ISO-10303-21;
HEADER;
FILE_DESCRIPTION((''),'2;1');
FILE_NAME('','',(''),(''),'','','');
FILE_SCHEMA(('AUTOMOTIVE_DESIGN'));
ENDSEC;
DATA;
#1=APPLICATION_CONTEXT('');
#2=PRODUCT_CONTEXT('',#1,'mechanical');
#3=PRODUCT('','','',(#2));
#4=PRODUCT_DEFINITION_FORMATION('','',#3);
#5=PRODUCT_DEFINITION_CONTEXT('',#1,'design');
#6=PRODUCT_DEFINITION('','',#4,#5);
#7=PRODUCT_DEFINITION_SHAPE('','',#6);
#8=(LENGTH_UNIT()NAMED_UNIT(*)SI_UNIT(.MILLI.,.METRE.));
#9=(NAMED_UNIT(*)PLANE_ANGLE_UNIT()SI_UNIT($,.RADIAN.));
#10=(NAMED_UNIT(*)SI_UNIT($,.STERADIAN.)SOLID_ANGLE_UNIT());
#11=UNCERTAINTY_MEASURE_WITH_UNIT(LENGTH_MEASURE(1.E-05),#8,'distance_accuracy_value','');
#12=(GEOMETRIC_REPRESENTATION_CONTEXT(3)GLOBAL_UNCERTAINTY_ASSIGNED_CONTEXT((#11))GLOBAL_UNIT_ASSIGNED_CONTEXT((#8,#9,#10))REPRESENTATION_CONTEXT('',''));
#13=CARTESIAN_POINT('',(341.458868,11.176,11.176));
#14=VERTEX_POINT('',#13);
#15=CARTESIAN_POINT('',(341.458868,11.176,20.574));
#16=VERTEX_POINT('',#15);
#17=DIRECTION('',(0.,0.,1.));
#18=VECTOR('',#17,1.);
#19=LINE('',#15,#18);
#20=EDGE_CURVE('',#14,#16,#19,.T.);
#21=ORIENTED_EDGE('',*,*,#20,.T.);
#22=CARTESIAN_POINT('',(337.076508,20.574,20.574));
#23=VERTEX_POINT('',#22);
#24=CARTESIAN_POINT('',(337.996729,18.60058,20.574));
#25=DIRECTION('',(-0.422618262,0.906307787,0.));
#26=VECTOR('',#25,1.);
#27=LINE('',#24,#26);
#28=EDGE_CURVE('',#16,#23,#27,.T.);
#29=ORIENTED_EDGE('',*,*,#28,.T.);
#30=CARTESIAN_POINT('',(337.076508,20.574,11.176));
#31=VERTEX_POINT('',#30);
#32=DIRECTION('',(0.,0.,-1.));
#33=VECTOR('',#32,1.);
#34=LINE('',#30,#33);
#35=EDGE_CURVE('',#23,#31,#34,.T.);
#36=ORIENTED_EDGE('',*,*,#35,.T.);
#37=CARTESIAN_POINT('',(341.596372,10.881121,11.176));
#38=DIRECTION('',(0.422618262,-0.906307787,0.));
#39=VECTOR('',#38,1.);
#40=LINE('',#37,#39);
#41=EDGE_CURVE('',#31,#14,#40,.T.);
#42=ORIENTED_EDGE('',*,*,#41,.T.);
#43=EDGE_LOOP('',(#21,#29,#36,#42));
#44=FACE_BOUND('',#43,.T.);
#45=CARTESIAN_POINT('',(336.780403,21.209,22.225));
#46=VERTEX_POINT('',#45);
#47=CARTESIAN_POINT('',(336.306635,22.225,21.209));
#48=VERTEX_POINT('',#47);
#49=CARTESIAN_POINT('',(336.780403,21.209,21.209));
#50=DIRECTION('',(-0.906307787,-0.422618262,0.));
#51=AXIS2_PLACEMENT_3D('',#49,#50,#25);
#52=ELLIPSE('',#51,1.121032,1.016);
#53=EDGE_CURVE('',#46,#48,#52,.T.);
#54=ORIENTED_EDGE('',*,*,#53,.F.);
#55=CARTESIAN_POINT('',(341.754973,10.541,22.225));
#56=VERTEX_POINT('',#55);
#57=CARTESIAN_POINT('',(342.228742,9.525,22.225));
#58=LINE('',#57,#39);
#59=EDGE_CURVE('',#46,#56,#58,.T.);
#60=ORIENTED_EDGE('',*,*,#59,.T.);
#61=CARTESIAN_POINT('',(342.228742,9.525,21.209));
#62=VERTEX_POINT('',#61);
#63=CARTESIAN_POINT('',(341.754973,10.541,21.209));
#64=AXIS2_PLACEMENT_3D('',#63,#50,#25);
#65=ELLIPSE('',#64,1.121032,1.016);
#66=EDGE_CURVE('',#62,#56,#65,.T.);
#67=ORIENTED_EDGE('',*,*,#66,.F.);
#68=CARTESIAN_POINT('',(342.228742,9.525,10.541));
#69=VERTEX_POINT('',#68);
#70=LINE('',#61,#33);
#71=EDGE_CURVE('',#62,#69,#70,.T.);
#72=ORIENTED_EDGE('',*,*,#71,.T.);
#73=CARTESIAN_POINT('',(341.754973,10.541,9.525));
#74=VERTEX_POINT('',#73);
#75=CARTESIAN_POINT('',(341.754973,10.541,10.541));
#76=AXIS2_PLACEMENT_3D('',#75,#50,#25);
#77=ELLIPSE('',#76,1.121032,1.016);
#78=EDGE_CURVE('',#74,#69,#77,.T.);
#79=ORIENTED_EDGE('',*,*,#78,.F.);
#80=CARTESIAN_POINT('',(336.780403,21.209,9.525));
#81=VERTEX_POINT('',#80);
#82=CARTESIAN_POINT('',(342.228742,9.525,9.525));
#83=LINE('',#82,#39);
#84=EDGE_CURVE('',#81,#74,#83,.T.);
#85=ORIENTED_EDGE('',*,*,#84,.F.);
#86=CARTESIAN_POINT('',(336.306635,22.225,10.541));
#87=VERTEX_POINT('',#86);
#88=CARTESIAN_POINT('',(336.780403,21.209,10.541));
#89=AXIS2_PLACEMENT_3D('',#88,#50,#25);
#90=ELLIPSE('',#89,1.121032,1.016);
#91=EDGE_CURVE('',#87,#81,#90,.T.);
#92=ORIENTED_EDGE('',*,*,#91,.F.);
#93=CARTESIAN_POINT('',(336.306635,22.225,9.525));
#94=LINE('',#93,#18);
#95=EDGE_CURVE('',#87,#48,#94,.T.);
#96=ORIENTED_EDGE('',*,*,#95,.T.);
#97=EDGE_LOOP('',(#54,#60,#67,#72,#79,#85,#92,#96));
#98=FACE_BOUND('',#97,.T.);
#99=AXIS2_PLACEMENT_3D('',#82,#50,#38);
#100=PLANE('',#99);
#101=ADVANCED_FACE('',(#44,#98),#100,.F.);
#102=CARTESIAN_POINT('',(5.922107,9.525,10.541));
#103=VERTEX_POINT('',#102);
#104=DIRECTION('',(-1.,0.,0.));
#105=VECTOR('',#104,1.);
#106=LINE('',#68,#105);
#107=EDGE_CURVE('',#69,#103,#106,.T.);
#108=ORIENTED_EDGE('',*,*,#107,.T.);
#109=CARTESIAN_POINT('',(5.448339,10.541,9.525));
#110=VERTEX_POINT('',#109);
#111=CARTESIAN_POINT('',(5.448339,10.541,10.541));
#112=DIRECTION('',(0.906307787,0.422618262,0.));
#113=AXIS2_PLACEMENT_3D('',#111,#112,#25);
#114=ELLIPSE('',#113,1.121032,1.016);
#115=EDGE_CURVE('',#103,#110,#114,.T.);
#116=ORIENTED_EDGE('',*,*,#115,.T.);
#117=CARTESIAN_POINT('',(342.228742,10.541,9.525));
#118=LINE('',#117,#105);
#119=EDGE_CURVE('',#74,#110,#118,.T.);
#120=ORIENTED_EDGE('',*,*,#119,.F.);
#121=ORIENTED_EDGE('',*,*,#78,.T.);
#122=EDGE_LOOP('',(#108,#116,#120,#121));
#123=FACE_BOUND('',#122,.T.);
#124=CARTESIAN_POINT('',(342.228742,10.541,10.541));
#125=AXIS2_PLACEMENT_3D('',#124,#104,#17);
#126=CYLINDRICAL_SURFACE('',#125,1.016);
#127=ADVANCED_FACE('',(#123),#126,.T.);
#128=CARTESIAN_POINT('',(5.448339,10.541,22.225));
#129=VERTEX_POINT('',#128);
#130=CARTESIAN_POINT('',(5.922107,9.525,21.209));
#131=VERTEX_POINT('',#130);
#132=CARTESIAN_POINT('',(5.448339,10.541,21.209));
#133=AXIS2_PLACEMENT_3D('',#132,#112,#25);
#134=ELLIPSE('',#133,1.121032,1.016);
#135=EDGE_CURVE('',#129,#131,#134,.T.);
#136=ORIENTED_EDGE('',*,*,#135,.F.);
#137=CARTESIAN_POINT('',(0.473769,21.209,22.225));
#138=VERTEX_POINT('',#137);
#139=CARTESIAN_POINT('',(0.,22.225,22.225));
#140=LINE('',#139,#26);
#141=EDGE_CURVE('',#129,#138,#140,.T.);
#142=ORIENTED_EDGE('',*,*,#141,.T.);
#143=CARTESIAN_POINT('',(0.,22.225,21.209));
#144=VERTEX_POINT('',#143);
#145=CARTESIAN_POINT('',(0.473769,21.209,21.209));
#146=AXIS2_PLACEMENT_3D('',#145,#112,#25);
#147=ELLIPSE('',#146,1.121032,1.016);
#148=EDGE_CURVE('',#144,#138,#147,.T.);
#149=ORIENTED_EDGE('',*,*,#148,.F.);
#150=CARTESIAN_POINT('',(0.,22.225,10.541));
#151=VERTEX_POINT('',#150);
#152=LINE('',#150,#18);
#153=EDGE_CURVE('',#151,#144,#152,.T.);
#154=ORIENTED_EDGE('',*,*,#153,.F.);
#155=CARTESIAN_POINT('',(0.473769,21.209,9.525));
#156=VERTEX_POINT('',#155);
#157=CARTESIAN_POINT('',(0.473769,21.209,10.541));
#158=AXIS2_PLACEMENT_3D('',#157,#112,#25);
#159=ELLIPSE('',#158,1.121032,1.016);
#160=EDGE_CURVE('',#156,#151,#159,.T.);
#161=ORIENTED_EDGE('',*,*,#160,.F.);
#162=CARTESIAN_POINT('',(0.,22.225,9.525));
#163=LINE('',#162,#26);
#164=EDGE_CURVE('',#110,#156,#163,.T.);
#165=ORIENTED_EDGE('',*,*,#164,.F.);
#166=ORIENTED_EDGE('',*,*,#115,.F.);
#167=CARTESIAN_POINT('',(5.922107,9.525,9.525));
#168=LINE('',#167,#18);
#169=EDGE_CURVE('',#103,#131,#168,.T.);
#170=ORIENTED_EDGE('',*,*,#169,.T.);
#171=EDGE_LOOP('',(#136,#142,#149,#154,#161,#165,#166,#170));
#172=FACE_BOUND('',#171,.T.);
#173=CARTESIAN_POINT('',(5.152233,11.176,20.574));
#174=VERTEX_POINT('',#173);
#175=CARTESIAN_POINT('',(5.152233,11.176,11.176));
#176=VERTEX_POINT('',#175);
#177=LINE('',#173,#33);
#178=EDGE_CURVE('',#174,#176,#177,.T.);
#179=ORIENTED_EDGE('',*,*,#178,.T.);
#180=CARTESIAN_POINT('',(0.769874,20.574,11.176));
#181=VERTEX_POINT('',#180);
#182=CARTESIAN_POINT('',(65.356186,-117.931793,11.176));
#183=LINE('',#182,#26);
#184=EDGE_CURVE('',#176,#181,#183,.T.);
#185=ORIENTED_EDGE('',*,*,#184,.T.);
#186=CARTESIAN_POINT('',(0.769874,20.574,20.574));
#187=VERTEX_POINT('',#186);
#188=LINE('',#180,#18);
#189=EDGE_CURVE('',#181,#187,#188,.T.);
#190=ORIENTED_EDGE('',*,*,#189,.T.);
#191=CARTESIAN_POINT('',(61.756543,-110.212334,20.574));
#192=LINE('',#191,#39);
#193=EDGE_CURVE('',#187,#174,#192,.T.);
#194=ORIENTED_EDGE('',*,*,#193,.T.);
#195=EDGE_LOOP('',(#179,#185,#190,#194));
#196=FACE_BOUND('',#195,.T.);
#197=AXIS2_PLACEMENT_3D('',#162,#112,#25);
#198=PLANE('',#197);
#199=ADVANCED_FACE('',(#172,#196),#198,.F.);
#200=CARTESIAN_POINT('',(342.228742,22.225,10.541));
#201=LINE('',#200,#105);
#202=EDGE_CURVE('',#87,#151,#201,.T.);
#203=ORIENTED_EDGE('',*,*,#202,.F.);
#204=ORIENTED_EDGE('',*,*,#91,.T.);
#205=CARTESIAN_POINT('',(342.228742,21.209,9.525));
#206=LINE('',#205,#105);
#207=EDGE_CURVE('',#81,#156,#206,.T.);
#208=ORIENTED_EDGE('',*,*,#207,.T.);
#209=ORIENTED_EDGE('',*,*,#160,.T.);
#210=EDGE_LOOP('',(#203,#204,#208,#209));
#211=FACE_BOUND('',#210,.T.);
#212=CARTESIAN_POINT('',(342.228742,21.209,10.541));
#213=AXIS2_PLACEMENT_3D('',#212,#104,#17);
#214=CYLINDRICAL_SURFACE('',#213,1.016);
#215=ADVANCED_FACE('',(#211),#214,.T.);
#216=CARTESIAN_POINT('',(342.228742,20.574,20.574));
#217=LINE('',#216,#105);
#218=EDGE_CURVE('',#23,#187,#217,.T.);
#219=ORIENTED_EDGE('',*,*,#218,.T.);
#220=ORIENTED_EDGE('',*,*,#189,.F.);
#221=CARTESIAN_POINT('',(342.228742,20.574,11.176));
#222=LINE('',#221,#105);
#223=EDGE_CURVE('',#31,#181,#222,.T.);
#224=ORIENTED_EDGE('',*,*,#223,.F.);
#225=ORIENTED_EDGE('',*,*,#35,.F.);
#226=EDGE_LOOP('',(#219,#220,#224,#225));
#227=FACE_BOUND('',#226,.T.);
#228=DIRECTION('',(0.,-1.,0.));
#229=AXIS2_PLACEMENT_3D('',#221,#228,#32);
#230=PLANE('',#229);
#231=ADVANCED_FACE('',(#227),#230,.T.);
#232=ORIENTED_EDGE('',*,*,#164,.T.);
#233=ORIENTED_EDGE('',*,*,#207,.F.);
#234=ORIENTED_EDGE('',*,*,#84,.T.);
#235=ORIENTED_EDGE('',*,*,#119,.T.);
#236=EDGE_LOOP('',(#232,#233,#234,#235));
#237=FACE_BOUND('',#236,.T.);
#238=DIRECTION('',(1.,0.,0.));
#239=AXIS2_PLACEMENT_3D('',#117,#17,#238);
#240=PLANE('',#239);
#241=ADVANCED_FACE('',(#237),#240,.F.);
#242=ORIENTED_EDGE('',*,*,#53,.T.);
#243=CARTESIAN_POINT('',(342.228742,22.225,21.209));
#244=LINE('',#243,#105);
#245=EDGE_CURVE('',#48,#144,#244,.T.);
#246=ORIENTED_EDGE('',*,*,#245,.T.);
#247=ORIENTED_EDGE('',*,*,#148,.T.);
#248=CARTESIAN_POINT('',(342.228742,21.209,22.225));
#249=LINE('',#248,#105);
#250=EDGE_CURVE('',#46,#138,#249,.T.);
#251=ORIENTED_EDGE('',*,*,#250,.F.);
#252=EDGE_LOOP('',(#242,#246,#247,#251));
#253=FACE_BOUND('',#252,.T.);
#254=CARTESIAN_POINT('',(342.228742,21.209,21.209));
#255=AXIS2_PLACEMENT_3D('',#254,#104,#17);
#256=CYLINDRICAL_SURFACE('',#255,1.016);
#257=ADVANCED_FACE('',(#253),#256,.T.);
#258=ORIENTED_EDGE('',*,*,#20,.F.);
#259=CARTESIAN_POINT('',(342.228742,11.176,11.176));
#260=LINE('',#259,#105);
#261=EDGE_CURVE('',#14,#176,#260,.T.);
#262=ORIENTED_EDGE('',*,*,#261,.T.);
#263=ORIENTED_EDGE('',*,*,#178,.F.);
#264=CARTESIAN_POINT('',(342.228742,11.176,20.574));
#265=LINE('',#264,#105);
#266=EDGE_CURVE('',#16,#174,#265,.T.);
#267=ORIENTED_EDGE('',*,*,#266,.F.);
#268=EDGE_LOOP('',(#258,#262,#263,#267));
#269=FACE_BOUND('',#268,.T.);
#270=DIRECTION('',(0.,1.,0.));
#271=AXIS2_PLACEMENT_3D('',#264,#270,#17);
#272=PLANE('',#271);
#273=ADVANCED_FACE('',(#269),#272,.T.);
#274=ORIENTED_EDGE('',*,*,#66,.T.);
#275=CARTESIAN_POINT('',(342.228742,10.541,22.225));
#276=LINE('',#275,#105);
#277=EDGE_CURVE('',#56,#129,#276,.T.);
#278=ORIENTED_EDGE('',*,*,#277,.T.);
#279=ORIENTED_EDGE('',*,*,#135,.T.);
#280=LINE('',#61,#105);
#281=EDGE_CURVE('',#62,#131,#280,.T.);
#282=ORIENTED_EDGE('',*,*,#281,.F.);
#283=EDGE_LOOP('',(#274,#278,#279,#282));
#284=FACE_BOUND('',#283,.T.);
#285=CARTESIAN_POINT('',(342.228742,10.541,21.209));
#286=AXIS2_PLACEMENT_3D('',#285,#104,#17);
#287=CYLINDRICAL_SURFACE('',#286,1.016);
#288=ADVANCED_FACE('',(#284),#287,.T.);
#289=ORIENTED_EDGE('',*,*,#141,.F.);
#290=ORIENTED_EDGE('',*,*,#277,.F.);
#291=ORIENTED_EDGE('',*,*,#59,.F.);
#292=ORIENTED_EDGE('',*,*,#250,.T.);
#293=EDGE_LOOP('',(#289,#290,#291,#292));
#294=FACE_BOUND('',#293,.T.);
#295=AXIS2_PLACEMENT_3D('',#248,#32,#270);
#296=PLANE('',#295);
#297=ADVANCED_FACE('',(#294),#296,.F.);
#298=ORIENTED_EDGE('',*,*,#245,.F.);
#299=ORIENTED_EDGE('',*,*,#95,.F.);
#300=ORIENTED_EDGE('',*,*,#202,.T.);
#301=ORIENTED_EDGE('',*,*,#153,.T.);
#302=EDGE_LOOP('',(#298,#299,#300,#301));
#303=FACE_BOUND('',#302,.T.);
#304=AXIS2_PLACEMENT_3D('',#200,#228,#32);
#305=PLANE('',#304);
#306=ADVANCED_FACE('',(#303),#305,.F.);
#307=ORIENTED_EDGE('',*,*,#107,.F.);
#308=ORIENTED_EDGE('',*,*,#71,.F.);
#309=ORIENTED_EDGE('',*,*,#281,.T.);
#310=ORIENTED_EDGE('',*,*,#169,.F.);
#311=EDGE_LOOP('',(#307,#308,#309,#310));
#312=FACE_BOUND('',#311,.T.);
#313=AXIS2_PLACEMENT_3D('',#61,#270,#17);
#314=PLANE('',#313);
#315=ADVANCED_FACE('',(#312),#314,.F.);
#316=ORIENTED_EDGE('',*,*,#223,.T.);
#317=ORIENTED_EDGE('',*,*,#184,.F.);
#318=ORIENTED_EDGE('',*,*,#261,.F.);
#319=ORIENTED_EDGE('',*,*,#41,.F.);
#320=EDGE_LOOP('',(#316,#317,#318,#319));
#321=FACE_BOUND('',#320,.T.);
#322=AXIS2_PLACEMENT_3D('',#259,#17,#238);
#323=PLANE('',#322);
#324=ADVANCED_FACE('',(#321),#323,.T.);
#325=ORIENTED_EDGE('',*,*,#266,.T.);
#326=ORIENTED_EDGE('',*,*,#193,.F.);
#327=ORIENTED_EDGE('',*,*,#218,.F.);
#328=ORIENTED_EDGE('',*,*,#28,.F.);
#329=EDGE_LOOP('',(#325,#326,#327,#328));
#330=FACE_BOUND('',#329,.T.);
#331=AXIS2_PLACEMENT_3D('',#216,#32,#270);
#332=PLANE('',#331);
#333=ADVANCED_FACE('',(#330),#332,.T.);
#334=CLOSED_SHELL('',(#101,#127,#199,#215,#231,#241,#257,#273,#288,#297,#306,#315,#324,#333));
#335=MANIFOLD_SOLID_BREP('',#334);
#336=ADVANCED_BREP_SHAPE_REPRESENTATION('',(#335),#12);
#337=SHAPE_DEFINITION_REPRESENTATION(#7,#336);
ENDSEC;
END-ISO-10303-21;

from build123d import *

# Parameters (mm, degrees)
SKETCH1_W           = 23.495
SKETCH1_H           = 23.495
BOSS_EXTRUDE1_DEPTH = 342.22874176
SCALE1_SCALE_X      = 1
SCALE1_SCALE_Y      = 0.4
SCALE1_SCALE_Z      = 0.4
CUT_EXTRUDE1_DEPTH  = 344.184720504


with BuildPart() as part:
    # Sketch1 → Boss-Extrude1 (new body)
    with BuildSketch(Plane(origin=(0, 0, 0), x_dir=(0, 0, -1), z_dir=(1, 0, 0))):
        with BuildLine():
            Line((0, 2.54), (0, 29.21))
            ThreePointArc((0, 29.21), (-0.743948776, 31.006051224), (-2.54, 31.75))
            Line((-2.54, 31.75), (-29.21, 31.75))
            ThreePointArc((-29.21, 31.75), (-31.006051224, 31.006051224), (-31.75, 29.21))
            Line((-31.75, 29.21), (-31.75, 2.54))
            ThreePointArc((-31.75, 2.54), (-31.006051224, 0.743948776), (-29.21, 0))
            Line((-29.21, 0), (-2.54, 0))
            ThreePointArc((-2.54, 0), (-0.743948776, 0.743948776), (0, 2.54))
        make_face()
        with Locations((-15.875, 15.875)):
            Rectangle(SKETCH1_W, SKETCH1_H, mode=Mode.SUBTRACT)
    extrude(amount=BOSS_EXTRUDE1_DEPTH)


with BuildPart() as part_1:
    # Scale1: scaled about (171.11437088, 15.875, 15.875)
    add(part.part.scale((SCALE1_SCALE_X, SCALE1_SCALE_Y, SCALE1_SCALE_Z), about=(171.11437088, 15.875, 15.875)))

    # Sketch2 → Cut-Extrude1 (cut, through all)
    with BuildSketch(Plane.XY.offset(22.225)):
        Polygon((342.22874176, 9.525), (336.306634502, 22.225), (342.22874176, 22.225), align=None)
        Polygon((0, 9.525), (0, 22.225), (5.922107259, 9.525), align=None)
    extrude(amount=-CUT_EXTRUDE1_DEPTH, mode=Mode.SUBTRACT)


solid = part_1.part
